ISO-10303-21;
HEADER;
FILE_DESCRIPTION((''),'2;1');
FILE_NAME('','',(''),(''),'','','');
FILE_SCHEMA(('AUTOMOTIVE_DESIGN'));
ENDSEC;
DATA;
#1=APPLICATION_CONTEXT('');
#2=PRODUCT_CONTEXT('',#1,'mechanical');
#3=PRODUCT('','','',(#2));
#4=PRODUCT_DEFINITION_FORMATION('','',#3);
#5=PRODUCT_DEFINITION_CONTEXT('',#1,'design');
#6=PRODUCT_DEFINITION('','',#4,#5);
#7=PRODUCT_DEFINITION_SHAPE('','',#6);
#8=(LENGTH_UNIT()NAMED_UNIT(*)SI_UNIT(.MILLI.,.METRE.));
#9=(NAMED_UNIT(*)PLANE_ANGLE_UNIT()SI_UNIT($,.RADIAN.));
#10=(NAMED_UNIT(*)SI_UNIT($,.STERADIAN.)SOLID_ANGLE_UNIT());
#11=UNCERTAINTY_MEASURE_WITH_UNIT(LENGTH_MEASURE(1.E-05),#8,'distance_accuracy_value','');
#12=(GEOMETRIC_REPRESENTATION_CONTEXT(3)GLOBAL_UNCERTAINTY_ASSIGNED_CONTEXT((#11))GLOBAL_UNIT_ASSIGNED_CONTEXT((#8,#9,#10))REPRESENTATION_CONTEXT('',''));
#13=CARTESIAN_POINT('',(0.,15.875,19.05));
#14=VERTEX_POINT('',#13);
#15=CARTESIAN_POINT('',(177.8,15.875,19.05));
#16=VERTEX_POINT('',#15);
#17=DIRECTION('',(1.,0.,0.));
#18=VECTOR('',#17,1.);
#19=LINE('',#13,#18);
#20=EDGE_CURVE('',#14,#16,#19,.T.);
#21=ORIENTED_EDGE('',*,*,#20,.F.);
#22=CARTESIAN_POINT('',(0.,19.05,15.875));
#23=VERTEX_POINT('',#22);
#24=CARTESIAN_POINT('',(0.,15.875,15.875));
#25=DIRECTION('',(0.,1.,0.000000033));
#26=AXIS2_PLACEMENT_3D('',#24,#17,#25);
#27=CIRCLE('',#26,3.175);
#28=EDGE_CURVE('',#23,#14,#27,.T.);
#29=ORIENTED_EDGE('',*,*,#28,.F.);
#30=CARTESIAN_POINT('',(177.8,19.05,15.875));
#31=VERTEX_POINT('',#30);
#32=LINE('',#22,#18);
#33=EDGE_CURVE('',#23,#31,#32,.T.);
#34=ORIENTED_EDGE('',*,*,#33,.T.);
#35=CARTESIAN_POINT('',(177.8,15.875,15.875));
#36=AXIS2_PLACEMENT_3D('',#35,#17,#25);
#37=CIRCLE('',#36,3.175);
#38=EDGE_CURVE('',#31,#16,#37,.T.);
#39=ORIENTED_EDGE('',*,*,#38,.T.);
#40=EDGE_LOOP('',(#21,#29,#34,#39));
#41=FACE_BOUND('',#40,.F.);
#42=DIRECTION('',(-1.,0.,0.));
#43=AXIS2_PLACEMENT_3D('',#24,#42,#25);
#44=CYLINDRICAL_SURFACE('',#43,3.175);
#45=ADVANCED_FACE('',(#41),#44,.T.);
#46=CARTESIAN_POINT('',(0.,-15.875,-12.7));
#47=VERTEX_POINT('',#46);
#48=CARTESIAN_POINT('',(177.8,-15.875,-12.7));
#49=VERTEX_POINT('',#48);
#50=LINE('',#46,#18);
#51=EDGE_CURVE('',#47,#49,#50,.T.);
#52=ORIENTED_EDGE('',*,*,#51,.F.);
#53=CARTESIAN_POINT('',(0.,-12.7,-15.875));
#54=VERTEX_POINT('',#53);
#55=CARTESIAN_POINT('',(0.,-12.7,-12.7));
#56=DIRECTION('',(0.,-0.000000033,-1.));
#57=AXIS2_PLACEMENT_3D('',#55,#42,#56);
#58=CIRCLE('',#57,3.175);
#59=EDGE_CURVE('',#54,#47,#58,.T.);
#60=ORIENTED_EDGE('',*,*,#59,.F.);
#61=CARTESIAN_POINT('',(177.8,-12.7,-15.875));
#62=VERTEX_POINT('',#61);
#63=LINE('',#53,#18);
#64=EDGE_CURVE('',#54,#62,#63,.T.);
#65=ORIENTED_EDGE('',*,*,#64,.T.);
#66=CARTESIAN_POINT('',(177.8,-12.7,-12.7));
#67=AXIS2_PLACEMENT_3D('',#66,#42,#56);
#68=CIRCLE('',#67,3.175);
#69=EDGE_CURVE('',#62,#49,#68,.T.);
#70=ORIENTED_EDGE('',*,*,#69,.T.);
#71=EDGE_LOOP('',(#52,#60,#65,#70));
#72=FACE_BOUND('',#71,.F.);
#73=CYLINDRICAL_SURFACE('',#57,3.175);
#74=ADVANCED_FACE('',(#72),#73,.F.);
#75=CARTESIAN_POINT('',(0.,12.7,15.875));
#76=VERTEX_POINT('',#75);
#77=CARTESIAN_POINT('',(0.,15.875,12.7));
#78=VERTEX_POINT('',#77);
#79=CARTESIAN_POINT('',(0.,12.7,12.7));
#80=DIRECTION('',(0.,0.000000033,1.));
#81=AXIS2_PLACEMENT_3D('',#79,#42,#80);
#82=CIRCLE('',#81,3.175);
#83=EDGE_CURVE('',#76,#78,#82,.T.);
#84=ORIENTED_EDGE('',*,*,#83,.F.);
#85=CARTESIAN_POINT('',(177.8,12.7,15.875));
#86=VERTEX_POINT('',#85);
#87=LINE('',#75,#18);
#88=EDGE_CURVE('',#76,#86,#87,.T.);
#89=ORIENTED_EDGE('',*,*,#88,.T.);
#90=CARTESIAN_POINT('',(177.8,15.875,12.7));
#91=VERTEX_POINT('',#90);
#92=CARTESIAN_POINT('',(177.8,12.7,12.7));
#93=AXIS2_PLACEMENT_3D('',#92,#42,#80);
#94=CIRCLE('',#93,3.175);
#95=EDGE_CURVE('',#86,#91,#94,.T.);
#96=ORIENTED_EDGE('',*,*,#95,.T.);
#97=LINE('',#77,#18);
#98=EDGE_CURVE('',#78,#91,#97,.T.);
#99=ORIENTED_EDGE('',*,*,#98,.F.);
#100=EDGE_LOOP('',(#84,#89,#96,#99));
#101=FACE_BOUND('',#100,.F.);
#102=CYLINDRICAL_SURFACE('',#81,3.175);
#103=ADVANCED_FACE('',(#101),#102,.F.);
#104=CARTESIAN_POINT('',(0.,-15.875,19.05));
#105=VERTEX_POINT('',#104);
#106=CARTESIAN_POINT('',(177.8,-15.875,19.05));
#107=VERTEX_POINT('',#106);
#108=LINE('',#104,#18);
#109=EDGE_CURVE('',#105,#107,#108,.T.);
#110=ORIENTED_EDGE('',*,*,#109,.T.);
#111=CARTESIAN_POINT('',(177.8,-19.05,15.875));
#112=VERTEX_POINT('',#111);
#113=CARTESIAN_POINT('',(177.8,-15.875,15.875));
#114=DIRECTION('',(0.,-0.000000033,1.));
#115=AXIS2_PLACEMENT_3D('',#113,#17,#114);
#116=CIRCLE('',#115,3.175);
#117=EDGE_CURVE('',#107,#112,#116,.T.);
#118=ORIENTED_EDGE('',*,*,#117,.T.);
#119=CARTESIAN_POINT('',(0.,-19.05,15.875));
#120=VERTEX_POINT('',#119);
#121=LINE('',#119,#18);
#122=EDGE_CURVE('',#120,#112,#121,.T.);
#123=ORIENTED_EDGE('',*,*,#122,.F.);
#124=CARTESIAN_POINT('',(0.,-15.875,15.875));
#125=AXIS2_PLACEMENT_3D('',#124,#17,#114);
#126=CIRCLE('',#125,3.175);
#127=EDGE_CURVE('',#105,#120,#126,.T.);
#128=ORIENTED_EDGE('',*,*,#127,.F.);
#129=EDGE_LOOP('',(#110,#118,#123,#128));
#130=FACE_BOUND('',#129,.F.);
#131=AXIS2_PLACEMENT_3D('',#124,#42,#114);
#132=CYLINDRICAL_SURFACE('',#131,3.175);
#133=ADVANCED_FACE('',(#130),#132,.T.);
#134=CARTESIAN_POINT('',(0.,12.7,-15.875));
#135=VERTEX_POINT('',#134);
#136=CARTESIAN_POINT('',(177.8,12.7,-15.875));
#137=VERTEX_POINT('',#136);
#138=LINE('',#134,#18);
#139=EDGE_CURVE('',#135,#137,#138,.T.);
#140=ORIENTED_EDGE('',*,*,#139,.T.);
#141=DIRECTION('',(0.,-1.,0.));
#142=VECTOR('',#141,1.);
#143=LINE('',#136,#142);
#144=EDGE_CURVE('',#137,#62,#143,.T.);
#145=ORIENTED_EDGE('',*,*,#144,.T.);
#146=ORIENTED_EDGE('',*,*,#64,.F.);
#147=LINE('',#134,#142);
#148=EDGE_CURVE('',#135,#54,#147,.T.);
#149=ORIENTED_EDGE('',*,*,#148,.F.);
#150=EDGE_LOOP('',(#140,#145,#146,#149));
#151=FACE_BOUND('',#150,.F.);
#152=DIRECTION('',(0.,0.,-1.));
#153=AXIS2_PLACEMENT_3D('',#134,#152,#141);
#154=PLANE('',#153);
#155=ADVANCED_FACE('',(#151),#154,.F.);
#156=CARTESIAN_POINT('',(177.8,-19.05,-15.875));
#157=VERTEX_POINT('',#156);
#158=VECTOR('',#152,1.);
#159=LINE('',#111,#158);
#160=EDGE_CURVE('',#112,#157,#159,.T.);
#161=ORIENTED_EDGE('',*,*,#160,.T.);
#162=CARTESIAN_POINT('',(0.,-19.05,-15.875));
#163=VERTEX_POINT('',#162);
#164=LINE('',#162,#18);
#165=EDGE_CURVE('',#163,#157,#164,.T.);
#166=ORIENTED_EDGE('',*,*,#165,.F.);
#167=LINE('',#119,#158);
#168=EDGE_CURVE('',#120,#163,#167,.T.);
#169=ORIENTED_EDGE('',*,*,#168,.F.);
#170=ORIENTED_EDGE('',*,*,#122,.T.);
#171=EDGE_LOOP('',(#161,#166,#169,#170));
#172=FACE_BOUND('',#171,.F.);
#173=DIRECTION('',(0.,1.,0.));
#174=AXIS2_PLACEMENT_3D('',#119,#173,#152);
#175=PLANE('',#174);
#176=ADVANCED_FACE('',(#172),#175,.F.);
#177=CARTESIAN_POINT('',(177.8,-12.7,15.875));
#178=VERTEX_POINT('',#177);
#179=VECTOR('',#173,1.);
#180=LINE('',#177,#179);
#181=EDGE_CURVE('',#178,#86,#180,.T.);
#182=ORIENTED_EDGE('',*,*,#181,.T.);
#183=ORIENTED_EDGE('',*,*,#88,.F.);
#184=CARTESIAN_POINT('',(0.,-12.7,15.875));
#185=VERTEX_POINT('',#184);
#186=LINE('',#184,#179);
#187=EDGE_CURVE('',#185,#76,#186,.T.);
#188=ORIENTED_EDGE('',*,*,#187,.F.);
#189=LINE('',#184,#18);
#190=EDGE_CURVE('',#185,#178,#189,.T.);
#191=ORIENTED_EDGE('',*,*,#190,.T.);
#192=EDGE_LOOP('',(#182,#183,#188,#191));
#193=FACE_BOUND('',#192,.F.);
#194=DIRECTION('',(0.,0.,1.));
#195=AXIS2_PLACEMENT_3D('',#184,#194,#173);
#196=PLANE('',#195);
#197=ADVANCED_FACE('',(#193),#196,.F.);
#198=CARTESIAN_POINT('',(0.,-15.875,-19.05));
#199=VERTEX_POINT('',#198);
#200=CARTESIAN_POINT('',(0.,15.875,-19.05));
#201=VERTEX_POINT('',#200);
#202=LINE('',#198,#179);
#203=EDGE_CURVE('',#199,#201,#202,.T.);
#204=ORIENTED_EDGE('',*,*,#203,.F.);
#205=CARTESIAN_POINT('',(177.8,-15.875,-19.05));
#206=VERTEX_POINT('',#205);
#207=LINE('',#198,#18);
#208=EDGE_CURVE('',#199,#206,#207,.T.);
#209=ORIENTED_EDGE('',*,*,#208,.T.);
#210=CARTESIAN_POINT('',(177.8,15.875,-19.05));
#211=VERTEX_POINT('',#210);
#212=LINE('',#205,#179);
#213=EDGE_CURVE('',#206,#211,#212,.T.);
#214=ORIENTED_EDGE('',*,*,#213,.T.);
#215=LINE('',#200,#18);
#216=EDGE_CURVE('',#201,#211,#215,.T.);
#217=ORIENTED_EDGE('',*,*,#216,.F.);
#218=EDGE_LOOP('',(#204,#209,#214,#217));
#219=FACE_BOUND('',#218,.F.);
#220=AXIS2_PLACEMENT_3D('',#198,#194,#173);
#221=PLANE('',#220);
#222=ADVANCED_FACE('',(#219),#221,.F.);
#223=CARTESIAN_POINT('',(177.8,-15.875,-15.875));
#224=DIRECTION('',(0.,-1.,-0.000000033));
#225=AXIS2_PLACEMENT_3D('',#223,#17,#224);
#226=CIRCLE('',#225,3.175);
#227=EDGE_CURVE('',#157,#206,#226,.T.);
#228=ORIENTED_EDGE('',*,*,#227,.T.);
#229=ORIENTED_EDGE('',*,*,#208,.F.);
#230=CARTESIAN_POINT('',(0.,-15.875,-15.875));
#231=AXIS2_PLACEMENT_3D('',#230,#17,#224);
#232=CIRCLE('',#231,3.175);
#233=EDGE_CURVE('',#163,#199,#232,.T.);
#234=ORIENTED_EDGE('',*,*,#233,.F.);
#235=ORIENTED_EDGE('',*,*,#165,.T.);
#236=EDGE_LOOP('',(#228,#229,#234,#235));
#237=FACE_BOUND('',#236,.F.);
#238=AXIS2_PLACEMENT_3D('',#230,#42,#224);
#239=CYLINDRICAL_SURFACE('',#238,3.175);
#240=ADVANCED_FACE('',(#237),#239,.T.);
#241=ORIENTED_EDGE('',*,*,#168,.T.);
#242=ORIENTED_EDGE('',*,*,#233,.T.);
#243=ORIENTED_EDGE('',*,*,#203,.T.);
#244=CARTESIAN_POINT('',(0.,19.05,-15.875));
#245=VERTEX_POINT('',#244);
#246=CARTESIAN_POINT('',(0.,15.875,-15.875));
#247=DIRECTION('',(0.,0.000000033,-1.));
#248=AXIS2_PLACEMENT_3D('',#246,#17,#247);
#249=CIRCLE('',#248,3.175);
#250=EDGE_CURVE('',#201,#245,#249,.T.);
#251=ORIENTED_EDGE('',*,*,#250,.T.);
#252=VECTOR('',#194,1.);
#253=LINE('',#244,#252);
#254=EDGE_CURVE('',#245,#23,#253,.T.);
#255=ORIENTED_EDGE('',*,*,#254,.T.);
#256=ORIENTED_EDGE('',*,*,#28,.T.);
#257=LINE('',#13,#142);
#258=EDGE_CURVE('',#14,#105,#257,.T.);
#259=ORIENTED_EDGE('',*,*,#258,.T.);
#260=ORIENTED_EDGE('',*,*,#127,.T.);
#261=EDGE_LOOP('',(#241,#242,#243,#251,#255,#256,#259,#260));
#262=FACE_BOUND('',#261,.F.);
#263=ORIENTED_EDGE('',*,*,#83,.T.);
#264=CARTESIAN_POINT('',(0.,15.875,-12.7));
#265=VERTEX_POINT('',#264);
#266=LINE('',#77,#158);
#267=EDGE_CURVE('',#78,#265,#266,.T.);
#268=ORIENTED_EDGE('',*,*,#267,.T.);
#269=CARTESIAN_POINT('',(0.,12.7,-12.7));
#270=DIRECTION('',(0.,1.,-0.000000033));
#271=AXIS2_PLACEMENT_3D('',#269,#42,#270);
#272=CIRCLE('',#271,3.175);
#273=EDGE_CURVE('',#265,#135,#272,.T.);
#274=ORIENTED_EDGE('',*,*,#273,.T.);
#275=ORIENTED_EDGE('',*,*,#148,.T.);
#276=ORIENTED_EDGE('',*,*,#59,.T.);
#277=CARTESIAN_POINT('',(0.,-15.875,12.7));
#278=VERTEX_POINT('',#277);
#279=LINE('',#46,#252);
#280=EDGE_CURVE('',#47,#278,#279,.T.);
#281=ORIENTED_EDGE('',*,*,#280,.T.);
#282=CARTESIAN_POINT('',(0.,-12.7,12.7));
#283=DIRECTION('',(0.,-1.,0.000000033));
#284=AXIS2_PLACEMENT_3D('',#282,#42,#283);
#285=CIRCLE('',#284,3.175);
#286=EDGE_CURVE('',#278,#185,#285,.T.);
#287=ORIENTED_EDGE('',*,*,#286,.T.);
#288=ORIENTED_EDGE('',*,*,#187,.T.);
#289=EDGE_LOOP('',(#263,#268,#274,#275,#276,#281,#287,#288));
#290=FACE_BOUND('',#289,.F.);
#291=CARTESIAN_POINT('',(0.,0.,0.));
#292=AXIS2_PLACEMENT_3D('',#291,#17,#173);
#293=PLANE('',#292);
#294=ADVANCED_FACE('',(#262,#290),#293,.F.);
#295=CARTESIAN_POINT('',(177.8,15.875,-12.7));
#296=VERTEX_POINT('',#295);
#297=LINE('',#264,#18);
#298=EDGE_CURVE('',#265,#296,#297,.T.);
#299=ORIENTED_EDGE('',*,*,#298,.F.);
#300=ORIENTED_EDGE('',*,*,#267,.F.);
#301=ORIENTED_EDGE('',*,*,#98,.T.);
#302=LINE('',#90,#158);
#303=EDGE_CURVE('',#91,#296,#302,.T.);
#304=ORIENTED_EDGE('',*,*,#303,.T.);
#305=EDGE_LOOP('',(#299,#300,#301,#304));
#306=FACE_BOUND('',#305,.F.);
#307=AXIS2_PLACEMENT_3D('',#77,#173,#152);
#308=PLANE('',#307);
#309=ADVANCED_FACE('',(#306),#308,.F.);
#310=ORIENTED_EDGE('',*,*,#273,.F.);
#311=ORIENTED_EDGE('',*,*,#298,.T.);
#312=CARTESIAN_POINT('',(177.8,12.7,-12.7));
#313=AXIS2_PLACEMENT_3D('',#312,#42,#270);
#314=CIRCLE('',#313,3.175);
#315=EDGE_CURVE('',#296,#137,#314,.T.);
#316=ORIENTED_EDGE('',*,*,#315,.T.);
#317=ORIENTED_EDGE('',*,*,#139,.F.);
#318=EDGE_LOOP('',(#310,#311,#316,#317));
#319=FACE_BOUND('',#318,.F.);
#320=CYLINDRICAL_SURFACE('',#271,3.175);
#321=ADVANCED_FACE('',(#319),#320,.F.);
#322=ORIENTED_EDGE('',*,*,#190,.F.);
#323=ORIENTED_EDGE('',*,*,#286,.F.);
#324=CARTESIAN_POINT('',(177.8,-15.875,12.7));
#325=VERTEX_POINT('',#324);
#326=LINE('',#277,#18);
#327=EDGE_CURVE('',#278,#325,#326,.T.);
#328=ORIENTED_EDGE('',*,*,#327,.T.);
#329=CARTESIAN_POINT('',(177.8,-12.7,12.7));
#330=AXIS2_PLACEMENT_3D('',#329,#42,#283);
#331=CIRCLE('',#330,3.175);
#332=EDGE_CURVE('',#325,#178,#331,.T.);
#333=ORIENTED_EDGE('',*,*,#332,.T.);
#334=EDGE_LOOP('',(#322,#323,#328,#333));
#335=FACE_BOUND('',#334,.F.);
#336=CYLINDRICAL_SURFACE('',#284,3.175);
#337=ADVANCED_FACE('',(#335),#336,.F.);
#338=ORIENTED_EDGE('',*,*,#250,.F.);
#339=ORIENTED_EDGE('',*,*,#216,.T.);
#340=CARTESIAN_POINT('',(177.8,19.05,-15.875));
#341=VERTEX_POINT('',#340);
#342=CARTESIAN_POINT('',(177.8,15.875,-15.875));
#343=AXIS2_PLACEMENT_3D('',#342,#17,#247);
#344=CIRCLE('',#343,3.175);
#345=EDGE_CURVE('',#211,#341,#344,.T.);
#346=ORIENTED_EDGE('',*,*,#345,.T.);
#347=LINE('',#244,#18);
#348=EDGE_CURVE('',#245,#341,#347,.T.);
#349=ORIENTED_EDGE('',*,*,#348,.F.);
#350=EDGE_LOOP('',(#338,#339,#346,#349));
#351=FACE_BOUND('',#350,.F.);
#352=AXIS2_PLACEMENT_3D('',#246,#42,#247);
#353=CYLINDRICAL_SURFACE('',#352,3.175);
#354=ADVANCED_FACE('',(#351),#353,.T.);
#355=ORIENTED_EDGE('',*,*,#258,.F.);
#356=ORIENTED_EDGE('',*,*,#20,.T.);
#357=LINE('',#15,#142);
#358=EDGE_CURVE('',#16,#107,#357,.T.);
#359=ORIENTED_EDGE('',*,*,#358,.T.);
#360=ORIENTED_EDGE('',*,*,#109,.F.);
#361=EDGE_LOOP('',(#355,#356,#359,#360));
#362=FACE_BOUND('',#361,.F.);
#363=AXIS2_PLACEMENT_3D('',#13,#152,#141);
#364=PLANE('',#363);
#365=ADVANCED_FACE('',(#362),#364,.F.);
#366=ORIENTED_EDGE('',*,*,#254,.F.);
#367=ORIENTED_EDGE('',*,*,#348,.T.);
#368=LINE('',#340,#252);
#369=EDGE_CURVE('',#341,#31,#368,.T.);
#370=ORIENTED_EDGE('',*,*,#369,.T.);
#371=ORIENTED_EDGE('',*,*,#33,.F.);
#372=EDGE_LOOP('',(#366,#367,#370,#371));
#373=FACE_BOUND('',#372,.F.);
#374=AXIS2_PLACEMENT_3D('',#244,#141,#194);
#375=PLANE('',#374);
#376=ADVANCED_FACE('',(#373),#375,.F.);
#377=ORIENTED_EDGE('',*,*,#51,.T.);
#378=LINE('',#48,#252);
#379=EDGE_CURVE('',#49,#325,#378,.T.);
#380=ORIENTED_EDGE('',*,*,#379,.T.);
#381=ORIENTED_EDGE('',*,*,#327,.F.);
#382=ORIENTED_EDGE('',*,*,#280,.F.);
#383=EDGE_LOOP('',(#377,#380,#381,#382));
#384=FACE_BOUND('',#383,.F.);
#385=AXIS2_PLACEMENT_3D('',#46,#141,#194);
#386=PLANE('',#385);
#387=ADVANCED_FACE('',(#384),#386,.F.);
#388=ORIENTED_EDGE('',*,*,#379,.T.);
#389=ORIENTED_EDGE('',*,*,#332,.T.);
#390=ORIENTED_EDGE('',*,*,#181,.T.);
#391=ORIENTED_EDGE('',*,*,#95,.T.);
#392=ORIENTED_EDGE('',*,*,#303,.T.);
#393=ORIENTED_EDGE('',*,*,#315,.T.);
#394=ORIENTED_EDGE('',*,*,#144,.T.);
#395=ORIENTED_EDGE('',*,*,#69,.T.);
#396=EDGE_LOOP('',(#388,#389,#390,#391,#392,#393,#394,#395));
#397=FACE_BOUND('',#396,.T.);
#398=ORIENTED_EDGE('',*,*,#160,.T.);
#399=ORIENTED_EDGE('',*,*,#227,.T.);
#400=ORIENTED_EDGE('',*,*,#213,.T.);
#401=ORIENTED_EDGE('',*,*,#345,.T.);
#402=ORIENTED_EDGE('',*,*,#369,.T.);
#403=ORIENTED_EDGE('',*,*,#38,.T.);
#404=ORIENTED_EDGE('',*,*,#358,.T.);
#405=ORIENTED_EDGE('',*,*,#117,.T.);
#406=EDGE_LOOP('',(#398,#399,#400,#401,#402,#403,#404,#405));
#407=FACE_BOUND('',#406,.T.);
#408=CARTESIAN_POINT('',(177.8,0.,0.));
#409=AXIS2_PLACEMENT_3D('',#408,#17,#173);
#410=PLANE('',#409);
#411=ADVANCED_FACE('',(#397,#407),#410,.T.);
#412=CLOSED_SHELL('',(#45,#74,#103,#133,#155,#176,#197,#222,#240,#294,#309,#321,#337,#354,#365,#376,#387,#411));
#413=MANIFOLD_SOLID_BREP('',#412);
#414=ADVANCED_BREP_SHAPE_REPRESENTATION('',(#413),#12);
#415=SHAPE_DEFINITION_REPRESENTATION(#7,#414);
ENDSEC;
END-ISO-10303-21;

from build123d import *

# Parameters (mm, degrees)
F1_DEPTH = 177.8


with BuildPart() as f1:
    # F0 (on Right) → F1 (new body)
    with BuildSketch(Plane.YZ):
        with BuildLine():
            ThreePointArc((19.05, 15.875), (18.120064, 18.120064), (15.875, 19.05))
            Line((15.875, 19.05), (-15.875, 19.05))
            ThreePointArc((-15.875, 19.05), (-18.120064, 18.120064), (-19.05, 15.875))
            Line((-19.05, 15.875), (-19.05, -15.875))
            ThreePointArc((-19.05, -15.875), (-18.120064, -18.120064), (-15.875, -19.05))
            Line((-15.875, -19.05), (15.875, -19.05))
            ThreePointArc((15.875, -19.05), (18.120064, -18.120064), (19.05, -15.875))
            Line((19.05, -15.875), (19.05, 15.875))
        make_face()
        with BuildLine():
            Line((-12.7, 15.875), (12.7, 15.875))
            ThreePointArc((12.7, 15.875), (14.945064, 14.945064), (15.875, 12.7))
            Line((15.875, 12.7), (15.875, -12.7))
            ThreePointArc((15.875, -12.7), (14.945064, -14.945064), (12.7, -15.875))
            Line((12.7, -15.875), (-12.7, -15.875))
            ThreePointArc((-12.7, -15.875), (-14.945064, -14.945064), (-15.875, -12.7))
            Line((-15.875, -12.7), (-15.875, 12.7))
            ThreePointArc((-15.875, 12.7), (-14.945064, 14.945064), (-12.7, 15.875))
        make_face(mode=Mode.SUBTRACT)
    extrude(amount=F1_DEPTH)


solid = f1.part
